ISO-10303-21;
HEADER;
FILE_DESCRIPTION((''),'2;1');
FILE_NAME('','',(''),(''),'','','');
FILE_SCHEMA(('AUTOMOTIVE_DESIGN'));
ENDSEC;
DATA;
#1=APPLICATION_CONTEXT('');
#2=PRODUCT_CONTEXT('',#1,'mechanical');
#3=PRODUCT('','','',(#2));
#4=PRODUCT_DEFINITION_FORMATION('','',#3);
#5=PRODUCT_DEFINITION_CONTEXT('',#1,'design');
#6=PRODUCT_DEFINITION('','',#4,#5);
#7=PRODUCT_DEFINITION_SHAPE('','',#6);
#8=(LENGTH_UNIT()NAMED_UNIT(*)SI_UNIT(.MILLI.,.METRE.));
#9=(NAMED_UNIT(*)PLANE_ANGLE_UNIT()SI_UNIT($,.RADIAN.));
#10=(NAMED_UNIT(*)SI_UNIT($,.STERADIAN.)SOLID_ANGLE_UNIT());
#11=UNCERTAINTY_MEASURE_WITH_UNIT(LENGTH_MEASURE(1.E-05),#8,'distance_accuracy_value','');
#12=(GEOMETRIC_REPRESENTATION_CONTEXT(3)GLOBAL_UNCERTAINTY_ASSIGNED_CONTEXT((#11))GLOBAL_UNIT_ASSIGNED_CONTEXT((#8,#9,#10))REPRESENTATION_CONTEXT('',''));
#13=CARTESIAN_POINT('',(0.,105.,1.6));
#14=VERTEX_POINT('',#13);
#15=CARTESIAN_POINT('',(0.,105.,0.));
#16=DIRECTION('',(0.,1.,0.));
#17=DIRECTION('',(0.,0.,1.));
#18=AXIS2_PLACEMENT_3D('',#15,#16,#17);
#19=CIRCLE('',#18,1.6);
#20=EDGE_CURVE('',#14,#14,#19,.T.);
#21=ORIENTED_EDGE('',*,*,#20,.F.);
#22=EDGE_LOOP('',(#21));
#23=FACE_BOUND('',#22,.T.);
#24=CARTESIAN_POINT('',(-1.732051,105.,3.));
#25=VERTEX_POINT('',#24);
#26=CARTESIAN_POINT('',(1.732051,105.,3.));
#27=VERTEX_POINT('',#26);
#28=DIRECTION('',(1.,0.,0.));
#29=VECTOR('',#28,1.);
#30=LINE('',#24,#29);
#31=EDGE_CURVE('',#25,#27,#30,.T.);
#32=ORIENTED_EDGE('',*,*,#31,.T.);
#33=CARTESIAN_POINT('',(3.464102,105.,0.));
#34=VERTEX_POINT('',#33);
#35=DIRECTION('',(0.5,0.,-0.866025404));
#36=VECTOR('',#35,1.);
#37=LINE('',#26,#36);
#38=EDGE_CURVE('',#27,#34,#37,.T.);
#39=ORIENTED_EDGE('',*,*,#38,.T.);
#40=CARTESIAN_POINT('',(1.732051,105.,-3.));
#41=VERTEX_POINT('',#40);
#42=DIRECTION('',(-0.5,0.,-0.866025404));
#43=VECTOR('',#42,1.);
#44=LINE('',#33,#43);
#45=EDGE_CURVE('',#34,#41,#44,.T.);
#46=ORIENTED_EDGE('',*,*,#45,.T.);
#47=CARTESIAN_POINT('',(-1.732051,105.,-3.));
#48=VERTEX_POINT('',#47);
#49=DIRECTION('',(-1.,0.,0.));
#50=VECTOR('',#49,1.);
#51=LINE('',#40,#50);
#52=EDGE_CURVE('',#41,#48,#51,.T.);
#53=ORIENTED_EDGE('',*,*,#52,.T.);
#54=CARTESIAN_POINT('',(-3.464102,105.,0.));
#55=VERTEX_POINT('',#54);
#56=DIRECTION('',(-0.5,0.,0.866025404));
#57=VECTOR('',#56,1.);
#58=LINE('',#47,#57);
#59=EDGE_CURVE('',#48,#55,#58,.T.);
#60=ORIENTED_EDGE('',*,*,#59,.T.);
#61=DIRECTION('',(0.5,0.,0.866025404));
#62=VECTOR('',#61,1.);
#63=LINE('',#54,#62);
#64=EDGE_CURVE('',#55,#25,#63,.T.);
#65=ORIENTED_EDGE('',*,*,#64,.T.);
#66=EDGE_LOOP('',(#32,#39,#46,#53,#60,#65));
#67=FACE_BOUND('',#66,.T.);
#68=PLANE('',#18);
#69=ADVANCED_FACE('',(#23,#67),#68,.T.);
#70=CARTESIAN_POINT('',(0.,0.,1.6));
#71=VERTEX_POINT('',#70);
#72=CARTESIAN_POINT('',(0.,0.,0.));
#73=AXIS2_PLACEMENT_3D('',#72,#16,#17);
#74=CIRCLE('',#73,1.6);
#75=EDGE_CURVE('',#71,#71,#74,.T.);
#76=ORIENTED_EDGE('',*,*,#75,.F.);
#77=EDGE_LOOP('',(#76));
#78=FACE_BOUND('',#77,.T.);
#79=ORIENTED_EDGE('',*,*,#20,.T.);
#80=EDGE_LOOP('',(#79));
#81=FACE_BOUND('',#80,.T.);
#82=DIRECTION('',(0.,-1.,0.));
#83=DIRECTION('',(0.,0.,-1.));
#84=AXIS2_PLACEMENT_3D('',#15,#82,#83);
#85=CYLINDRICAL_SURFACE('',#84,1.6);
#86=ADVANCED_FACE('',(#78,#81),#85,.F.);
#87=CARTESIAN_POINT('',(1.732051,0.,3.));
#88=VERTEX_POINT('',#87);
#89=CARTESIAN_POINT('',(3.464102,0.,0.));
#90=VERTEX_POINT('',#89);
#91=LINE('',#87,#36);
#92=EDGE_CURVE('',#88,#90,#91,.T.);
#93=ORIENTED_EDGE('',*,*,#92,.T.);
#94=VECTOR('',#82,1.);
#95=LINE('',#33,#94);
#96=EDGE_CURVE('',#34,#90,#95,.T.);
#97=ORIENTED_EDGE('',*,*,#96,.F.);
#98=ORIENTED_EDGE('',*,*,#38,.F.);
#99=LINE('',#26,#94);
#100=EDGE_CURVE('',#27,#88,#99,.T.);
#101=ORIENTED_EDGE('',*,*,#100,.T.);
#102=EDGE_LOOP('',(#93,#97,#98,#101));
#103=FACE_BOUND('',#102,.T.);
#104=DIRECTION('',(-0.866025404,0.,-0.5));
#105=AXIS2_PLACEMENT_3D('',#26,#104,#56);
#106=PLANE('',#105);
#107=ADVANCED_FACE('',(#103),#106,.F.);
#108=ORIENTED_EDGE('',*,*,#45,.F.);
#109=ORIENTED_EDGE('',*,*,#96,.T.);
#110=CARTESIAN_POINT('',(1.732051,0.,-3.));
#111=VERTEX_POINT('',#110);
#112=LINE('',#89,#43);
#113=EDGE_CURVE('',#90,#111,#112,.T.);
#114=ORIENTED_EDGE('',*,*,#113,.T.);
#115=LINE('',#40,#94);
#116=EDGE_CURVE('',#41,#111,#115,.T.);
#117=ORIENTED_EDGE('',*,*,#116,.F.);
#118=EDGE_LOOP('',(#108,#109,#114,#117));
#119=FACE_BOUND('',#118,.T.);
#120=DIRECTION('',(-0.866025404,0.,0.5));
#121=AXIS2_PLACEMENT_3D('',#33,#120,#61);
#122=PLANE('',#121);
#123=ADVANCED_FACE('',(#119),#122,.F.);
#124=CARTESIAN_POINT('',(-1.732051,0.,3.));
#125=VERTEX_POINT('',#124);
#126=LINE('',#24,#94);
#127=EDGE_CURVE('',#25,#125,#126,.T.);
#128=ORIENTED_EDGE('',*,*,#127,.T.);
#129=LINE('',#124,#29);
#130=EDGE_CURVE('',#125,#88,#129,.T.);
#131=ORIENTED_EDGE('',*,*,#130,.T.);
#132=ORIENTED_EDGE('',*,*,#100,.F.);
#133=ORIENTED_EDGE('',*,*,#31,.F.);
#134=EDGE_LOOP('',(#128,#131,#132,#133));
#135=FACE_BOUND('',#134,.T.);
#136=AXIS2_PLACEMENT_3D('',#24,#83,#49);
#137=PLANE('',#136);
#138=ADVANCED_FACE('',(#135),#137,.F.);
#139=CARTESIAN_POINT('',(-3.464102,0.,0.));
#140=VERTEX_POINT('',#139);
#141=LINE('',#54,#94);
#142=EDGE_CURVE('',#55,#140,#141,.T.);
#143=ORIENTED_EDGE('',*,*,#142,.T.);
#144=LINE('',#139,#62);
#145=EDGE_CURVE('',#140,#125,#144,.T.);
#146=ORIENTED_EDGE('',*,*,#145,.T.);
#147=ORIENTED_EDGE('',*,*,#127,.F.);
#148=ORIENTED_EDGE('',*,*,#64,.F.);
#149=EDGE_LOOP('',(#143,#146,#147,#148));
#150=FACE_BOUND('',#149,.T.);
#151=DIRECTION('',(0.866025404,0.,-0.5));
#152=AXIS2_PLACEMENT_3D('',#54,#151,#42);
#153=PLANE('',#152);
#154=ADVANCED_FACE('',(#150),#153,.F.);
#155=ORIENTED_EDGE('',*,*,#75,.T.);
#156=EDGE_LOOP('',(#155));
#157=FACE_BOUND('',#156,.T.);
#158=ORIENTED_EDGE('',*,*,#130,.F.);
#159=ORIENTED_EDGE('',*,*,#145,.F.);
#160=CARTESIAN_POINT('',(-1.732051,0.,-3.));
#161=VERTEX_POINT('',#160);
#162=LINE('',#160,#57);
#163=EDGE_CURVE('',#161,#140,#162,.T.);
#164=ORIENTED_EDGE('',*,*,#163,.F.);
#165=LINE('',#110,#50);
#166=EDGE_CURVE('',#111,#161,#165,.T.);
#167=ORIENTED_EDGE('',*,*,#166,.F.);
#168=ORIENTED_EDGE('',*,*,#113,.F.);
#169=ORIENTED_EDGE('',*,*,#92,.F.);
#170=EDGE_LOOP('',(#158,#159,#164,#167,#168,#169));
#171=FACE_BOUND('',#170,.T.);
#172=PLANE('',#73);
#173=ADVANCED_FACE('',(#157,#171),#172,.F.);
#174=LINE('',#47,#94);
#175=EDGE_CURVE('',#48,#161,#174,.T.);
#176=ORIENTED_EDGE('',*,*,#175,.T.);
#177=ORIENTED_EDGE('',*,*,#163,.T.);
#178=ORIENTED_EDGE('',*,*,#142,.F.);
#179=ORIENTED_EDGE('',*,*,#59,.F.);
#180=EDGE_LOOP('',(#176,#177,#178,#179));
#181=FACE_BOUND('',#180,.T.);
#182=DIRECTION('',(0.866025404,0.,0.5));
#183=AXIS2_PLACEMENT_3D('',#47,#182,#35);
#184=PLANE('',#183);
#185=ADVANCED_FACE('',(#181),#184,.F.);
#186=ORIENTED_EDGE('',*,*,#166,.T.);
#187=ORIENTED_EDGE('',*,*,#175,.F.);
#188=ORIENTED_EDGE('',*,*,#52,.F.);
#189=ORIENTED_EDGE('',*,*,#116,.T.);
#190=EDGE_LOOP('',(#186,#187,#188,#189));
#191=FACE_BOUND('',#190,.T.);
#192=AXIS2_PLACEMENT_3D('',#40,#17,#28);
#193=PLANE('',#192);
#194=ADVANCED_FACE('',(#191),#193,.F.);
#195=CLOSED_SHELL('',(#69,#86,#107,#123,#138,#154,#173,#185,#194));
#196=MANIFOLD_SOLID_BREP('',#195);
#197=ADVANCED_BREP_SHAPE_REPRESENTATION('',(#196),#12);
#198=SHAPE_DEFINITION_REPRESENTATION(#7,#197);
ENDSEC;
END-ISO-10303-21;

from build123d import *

# Parameters (mm, degrees)
SKETCH_1_R      = 1.6
EXTRUDE_1_DEPTH = 105


with BuildPart() as part:
    # 草图1 → 凸台-拉伸1 (new body)
    with BuildSketch(Plane(origin=(0, 0, 0), x_dir=(1, 0, 0), z_dir=(0, 1, 0))):
        Polygon((3.464101615, 0), (1.732050808, 3), (-1.732050808, 3), (-3.464101615, 0), (-1.732050808, -3), (1.732050808, -3), align=None)
        with Locations(Location((0, 0, 0), (0, 0, 270))):
            Circle(SKETCH_1_R, mode=Mode.SUBTRACT)
    extrude(amount=EXTRUDE_1_DEPTH)


solid = part.part
